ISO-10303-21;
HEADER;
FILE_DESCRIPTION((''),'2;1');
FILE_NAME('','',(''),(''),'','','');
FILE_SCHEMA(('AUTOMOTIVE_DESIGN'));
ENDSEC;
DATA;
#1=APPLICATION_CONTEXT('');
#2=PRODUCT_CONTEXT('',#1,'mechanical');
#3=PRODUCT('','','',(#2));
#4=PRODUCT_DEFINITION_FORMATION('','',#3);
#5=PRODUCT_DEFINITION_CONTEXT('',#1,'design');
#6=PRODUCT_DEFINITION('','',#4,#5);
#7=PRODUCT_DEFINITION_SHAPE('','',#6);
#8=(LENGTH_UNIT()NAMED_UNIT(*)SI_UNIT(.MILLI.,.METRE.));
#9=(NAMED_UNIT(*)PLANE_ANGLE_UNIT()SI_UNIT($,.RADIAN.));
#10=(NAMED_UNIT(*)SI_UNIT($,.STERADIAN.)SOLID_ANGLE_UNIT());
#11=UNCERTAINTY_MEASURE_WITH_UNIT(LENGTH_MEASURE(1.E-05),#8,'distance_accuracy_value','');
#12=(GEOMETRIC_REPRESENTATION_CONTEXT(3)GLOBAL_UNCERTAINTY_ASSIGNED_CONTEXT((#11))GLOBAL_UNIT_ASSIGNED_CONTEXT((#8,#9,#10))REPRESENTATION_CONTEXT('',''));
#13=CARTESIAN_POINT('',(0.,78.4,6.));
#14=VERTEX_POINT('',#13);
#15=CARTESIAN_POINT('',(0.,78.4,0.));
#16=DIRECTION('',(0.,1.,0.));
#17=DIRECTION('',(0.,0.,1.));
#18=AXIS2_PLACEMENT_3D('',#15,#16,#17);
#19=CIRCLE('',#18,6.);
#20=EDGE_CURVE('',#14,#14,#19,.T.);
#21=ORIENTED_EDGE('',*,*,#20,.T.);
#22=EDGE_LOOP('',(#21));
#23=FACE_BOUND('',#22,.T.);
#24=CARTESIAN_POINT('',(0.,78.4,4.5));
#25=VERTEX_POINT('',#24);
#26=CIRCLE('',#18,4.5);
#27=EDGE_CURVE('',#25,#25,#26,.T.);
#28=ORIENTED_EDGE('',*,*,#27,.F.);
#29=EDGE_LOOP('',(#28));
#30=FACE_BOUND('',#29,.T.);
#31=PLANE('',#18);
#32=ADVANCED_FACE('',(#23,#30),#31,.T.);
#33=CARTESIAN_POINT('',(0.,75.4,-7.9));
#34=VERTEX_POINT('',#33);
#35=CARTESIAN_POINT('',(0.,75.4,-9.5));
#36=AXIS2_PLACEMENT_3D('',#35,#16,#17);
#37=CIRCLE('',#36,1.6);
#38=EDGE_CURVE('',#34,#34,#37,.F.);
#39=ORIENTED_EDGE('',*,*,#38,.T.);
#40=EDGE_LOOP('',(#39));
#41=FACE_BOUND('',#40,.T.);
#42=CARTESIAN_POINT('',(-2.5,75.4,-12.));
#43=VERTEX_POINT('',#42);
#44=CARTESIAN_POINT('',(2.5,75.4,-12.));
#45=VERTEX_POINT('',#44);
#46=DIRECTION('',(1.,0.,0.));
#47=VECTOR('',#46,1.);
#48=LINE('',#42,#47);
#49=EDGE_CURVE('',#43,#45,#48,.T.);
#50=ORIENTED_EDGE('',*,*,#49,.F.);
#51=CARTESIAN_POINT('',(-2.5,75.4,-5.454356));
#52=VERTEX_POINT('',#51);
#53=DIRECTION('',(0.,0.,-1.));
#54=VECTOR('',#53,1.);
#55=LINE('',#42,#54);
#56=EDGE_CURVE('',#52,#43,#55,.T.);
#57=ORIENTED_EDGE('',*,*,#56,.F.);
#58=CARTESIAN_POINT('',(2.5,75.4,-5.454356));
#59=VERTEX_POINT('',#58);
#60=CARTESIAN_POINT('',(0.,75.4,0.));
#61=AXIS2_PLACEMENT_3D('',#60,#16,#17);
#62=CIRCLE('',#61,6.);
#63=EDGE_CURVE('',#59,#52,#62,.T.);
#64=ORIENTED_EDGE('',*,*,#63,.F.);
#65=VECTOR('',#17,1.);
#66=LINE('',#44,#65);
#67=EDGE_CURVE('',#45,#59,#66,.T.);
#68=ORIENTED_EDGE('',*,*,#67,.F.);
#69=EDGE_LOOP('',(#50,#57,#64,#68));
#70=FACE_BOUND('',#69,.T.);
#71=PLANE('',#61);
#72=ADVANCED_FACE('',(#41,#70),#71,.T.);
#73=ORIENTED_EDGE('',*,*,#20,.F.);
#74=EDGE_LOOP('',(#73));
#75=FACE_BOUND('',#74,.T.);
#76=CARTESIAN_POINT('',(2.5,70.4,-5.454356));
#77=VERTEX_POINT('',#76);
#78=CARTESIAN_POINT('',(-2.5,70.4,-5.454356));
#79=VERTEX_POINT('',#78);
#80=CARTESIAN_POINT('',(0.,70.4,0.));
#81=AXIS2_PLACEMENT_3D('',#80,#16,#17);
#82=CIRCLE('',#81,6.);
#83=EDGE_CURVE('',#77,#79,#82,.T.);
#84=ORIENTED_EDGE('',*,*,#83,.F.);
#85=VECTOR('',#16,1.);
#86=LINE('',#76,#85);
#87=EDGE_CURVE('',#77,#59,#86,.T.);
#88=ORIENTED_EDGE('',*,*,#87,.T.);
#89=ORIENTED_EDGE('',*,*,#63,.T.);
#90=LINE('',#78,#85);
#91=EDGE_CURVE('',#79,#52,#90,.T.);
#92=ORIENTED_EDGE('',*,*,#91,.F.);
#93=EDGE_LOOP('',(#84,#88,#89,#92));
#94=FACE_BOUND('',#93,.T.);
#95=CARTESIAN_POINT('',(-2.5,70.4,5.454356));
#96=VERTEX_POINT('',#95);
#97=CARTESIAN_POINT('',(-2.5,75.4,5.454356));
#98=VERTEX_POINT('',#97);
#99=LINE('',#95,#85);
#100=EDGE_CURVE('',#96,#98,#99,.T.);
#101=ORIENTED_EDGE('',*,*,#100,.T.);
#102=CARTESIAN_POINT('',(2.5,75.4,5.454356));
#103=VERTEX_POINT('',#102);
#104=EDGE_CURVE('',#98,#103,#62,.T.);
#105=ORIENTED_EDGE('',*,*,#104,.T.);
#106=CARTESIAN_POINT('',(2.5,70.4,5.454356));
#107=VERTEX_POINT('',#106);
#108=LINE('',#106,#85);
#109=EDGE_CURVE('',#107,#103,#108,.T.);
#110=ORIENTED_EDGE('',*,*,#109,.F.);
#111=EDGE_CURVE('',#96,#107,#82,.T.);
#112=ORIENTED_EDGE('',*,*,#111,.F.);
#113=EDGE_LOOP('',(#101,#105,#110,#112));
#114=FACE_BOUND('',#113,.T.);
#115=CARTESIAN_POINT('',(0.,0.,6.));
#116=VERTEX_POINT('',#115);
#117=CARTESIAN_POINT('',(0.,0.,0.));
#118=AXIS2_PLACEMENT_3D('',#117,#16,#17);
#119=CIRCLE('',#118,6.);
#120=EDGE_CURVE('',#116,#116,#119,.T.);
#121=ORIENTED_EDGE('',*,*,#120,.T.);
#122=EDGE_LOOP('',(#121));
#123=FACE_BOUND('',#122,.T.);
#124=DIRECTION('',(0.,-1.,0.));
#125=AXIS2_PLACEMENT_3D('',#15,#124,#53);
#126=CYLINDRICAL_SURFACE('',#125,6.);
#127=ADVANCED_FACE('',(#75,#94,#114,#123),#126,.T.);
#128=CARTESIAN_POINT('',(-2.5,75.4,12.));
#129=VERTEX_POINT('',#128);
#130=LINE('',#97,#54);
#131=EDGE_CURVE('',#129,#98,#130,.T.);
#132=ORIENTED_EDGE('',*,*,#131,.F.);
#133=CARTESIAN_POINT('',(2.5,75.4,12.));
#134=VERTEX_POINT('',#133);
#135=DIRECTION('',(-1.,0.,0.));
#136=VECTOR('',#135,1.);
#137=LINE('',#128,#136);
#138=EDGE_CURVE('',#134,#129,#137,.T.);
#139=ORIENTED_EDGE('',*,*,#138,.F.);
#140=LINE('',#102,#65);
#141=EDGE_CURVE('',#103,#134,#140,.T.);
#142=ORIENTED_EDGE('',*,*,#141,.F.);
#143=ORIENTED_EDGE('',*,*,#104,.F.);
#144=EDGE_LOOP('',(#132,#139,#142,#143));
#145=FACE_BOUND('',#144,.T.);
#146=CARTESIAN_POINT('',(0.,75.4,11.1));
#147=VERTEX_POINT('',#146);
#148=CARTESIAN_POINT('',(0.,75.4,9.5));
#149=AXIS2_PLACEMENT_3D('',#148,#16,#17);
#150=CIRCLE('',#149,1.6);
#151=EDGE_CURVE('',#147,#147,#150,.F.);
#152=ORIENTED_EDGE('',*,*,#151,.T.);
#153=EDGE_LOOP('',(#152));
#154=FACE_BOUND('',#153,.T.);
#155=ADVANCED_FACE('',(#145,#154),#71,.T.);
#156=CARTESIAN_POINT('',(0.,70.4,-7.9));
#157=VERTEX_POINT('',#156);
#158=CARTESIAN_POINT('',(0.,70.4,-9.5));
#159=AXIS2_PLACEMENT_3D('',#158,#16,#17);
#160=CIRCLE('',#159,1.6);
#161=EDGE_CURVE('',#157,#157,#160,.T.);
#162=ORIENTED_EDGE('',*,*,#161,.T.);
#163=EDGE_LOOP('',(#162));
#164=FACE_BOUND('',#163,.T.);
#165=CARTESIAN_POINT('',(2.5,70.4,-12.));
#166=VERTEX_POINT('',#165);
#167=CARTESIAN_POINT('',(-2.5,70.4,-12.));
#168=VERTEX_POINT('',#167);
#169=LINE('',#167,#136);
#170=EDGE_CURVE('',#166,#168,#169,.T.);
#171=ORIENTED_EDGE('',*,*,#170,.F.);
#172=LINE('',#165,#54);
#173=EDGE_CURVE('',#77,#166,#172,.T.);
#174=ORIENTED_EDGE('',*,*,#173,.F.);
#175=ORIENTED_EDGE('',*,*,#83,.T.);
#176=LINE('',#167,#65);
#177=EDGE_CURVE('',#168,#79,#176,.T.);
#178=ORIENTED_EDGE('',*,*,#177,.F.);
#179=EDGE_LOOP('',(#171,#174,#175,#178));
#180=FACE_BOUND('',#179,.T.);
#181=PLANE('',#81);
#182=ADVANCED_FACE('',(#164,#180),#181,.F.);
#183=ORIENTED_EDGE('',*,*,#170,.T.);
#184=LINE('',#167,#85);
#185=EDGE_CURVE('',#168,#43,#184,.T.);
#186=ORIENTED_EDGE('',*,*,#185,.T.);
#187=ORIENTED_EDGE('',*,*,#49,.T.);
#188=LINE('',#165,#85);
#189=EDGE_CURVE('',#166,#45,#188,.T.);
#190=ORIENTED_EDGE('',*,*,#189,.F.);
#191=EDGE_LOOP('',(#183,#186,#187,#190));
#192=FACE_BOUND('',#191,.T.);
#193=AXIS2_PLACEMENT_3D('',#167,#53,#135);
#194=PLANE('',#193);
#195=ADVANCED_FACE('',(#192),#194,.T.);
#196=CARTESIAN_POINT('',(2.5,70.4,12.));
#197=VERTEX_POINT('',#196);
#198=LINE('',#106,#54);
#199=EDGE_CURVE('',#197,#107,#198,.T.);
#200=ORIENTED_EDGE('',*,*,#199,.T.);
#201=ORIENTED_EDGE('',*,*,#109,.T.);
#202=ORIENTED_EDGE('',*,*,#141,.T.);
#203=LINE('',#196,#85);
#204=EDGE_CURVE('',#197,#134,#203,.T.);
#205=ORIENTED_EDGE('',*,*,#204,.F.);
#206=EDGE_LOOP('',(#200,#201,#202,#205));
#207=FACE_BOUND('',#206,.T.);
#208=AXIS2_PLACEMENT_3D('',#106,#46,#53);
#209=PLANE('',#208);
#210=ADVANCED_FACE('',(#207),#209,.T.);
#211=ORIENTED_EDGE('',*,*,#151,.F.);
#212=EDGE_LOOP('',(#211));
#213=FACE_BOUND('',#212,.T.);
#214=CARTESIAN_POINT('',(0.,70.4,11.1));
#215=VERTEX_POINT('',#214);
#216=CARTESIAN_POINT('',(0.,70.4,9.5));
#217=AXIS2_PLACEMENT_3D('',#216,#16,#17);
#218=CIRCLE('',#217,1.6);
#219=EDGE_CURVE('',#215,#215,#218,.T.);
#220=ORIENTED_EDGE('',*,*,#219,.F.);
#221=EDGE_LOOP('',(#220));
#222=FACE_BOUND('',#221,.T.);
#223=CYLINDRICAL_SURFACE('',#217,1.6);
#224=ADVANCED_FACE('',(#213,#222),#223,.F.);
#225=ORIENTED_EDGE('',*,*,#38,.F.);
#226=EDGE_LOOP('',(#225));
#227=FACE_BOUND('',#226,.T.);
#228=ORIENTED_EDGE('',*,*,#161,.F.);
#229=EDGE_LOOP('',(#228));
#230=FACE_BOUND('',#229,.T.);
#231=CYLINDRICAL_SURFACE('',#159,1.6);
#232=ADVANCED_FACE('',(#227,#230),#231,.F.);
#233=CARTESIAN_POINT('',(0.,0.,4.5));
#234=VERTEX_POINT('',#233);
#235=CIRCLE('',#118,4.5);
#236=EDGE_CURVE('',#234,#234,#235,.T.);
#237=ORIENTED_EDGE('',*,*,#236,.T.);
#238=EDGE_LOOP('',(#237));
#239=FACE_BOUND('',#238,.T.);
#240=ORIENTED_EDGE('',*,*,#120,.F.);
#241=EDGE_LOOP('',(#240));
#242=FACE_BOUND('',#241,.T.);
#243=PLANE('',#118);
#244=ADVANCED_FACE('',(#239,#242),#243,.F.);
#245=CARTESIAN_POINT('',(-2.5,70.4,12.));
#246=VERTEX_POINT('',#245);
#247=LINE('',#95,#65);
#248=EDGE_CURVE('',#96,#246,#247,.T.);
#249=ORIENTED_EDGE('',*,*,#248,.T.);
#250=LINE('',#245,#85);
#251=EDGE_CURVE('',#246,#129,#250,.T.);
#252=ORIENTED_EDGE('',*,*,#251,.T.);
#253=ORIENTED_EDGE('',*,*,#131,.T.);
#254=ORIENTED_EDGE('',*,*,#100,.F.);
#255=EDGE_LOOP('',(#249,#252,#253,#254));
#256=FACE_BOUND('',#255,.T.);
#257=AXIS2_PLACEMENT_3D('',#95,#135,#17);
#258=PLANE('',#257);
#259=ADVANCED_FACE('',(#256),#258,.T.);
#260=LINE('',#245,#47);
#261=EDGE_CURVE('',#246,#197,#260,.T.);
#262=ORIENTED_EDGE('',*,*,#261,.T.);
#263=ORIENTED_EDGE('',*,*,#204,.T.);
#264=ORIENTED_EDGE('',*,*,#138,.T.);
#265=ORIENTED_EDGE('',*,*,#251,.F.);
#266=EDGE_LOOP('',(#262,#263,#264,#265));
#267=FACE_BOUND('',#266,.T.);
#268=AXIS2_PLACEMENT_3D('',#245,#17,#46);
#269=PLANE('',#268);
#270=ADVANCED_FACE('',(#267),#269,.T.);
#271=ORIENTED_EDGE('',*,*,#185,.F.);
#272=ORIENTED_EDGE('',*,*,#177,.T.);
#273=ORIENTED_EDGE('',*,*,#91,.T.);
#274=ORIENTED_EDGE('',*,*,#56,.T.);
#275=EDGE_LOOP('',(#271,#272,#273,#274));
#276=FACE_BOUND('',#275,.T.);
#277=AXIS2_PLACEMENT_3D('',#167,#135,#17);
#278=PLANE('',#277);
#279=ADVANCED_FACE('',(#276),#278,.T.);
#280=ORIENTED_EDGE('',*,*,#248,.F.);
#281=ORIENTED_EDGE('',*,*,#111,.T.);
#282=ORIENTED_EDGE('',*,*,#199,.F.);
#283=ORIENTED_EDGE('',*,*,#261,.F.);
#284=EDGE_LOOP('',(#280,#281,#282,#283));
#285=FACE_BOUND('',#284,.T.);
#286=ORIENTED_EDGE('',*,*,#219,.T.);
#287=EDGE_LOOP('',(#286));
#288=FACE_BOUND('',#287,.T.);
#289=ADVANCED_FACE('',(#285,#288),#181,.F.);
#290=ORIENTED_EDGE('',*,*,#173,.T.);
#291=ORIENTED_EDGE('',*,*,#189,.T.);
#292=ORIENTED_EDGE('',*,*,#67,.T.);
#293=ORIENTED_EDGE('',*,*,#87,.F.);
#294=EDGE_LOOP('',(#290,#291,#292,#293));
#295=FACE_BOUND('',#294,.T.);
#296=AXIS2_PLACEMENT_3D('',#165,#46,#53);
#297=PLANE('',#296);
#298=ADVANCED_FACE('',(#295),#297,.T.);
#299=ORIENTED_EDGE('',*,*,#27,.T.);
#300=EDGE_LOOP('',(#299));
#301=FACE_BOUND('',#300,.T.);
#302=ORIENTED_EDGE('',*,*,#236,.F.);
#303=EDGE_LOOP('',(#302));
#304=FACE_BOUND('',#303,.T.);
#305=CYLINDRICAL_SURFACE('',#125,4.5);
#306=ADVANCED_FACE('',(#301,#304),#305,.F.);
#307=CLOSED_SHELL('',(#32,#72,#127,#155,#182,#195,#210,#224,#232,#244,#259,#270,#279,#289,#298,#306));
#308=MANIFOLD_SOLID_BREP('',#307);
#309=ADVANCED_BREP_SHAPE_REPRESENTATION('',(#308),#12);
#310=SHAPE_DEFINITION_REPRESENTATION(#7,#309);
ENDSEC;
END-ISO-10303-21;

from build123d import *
from build123d.topology import SkipClean

# Parameters (mm, degrees)
SKETCH1_R           = 6
SKETCH1_R_2         = 4.5
BOSS_EXTRUDE1_DEPTH = 78.4
BOSS_EXTRUDE2_START = -8
SKETCH2_R           = 1.6
SKETCH2_R_2         = 4.5
BOSS_EXTRUDE2_DEPTH = 8
SKETCH3_OUTSIDE_W   = 30.572
SKETCH3_OUTSIDE_H   = 42.572
SKETCH3_OUTSIDE_R   = 6
CUT_EXTRUDE1_DEPTH  = 3


with BuildPart() as part:
    # Sketch1 → Boss-Extrude1 (new body)
    with BuildSketch(Plane(origin=(0, 0, 0), x_dir=(1, 0, 0), z_dir=(0, 1, 0))):
        with Locations(Location((0, 0, 0), (0, 0, 270))):
            Circle(SKETCH1_R)
        with Locations(Location((0, 0, 0), (0, 0, 270))):
            Circle(SKETCH1_R_2, mode=Mode.SUBTRACT)
    extrude(amount=BOSS_EXTRUDE1_DEPTH)

    # Sketch2 → Boss-Extrude2 (add)
    with SkipClean():  # the faces are left unmerged after this step: merging them gives an invalid solid
        with BuildSketch(Plane(origin=(0, 78.4, 0), x_dir=(1, 0, 0), z_dir=(0, 1, 0)).offset(BOSS_EXTRUDE2_START)):
            with BuildLine():
                Line((-2.5, 12), (2.5, 12))
                Line((2.5, 12), (2.5, 5.454356057))
                ThreePointArc((2.5, 5.454356057), (6, 0), (2.5, -5.454356057))
                Line((2.5, -5.454356057), (2.5, -12))
                Line((2.5, -12), (-2.5, -12))
                Line((-2.5, -12), (-2.5, -5.454356057))
                ThreePointArc((-2.5, -5.454356057), (-6, 0), (-2.5, 5.454356057))
                Line((-2.5, 5.454356057), (-2.5, 12))
            make_face()
            with Locations(Location((0, 9.5, 0), (0, 0, 270))):
                Circle(SKETCH2_R, mode=Mode.SUBTRACT)
            with Locations(Location((0, -9.5, 0), (0, 0, 270))):
                Circle(SKETCH2_R, mode=Mode.SUBTRACT)
            with Locations(Location((0, 0, 0), (0, 0, 270))):
                Circle(SKETCH2_R_2, mode=Mode.SUBTRACT)
        extrude(amount=BOSS_EXTRUDE2_DEPTH)

    # Sketch3 outside → Cut-Extrude1 (cut)
    with SkipClean():  # the faces are left unmerged after this step: merging them gives an invalid solid
        with BuildSketch(Plane(origin=(0, 78.4, 0), x_dir=(1, 0, 0), z_dir=(0, 1, 0))):
            Rectangle(SKETCH3_OUTSIDE_W, SKETCH3_OUTSIDE_H)
            with Locations(Location((0, 0, 0), (0, 0, 270))):
                Circle(SKETCH3_OUTSIDE_R, mode=Mode.SUBTRACT)
        extrude(amount=-CUT_EXTRUDE1_DEPTH, mode=Mode.SUBTRACT)


solid = part.part
